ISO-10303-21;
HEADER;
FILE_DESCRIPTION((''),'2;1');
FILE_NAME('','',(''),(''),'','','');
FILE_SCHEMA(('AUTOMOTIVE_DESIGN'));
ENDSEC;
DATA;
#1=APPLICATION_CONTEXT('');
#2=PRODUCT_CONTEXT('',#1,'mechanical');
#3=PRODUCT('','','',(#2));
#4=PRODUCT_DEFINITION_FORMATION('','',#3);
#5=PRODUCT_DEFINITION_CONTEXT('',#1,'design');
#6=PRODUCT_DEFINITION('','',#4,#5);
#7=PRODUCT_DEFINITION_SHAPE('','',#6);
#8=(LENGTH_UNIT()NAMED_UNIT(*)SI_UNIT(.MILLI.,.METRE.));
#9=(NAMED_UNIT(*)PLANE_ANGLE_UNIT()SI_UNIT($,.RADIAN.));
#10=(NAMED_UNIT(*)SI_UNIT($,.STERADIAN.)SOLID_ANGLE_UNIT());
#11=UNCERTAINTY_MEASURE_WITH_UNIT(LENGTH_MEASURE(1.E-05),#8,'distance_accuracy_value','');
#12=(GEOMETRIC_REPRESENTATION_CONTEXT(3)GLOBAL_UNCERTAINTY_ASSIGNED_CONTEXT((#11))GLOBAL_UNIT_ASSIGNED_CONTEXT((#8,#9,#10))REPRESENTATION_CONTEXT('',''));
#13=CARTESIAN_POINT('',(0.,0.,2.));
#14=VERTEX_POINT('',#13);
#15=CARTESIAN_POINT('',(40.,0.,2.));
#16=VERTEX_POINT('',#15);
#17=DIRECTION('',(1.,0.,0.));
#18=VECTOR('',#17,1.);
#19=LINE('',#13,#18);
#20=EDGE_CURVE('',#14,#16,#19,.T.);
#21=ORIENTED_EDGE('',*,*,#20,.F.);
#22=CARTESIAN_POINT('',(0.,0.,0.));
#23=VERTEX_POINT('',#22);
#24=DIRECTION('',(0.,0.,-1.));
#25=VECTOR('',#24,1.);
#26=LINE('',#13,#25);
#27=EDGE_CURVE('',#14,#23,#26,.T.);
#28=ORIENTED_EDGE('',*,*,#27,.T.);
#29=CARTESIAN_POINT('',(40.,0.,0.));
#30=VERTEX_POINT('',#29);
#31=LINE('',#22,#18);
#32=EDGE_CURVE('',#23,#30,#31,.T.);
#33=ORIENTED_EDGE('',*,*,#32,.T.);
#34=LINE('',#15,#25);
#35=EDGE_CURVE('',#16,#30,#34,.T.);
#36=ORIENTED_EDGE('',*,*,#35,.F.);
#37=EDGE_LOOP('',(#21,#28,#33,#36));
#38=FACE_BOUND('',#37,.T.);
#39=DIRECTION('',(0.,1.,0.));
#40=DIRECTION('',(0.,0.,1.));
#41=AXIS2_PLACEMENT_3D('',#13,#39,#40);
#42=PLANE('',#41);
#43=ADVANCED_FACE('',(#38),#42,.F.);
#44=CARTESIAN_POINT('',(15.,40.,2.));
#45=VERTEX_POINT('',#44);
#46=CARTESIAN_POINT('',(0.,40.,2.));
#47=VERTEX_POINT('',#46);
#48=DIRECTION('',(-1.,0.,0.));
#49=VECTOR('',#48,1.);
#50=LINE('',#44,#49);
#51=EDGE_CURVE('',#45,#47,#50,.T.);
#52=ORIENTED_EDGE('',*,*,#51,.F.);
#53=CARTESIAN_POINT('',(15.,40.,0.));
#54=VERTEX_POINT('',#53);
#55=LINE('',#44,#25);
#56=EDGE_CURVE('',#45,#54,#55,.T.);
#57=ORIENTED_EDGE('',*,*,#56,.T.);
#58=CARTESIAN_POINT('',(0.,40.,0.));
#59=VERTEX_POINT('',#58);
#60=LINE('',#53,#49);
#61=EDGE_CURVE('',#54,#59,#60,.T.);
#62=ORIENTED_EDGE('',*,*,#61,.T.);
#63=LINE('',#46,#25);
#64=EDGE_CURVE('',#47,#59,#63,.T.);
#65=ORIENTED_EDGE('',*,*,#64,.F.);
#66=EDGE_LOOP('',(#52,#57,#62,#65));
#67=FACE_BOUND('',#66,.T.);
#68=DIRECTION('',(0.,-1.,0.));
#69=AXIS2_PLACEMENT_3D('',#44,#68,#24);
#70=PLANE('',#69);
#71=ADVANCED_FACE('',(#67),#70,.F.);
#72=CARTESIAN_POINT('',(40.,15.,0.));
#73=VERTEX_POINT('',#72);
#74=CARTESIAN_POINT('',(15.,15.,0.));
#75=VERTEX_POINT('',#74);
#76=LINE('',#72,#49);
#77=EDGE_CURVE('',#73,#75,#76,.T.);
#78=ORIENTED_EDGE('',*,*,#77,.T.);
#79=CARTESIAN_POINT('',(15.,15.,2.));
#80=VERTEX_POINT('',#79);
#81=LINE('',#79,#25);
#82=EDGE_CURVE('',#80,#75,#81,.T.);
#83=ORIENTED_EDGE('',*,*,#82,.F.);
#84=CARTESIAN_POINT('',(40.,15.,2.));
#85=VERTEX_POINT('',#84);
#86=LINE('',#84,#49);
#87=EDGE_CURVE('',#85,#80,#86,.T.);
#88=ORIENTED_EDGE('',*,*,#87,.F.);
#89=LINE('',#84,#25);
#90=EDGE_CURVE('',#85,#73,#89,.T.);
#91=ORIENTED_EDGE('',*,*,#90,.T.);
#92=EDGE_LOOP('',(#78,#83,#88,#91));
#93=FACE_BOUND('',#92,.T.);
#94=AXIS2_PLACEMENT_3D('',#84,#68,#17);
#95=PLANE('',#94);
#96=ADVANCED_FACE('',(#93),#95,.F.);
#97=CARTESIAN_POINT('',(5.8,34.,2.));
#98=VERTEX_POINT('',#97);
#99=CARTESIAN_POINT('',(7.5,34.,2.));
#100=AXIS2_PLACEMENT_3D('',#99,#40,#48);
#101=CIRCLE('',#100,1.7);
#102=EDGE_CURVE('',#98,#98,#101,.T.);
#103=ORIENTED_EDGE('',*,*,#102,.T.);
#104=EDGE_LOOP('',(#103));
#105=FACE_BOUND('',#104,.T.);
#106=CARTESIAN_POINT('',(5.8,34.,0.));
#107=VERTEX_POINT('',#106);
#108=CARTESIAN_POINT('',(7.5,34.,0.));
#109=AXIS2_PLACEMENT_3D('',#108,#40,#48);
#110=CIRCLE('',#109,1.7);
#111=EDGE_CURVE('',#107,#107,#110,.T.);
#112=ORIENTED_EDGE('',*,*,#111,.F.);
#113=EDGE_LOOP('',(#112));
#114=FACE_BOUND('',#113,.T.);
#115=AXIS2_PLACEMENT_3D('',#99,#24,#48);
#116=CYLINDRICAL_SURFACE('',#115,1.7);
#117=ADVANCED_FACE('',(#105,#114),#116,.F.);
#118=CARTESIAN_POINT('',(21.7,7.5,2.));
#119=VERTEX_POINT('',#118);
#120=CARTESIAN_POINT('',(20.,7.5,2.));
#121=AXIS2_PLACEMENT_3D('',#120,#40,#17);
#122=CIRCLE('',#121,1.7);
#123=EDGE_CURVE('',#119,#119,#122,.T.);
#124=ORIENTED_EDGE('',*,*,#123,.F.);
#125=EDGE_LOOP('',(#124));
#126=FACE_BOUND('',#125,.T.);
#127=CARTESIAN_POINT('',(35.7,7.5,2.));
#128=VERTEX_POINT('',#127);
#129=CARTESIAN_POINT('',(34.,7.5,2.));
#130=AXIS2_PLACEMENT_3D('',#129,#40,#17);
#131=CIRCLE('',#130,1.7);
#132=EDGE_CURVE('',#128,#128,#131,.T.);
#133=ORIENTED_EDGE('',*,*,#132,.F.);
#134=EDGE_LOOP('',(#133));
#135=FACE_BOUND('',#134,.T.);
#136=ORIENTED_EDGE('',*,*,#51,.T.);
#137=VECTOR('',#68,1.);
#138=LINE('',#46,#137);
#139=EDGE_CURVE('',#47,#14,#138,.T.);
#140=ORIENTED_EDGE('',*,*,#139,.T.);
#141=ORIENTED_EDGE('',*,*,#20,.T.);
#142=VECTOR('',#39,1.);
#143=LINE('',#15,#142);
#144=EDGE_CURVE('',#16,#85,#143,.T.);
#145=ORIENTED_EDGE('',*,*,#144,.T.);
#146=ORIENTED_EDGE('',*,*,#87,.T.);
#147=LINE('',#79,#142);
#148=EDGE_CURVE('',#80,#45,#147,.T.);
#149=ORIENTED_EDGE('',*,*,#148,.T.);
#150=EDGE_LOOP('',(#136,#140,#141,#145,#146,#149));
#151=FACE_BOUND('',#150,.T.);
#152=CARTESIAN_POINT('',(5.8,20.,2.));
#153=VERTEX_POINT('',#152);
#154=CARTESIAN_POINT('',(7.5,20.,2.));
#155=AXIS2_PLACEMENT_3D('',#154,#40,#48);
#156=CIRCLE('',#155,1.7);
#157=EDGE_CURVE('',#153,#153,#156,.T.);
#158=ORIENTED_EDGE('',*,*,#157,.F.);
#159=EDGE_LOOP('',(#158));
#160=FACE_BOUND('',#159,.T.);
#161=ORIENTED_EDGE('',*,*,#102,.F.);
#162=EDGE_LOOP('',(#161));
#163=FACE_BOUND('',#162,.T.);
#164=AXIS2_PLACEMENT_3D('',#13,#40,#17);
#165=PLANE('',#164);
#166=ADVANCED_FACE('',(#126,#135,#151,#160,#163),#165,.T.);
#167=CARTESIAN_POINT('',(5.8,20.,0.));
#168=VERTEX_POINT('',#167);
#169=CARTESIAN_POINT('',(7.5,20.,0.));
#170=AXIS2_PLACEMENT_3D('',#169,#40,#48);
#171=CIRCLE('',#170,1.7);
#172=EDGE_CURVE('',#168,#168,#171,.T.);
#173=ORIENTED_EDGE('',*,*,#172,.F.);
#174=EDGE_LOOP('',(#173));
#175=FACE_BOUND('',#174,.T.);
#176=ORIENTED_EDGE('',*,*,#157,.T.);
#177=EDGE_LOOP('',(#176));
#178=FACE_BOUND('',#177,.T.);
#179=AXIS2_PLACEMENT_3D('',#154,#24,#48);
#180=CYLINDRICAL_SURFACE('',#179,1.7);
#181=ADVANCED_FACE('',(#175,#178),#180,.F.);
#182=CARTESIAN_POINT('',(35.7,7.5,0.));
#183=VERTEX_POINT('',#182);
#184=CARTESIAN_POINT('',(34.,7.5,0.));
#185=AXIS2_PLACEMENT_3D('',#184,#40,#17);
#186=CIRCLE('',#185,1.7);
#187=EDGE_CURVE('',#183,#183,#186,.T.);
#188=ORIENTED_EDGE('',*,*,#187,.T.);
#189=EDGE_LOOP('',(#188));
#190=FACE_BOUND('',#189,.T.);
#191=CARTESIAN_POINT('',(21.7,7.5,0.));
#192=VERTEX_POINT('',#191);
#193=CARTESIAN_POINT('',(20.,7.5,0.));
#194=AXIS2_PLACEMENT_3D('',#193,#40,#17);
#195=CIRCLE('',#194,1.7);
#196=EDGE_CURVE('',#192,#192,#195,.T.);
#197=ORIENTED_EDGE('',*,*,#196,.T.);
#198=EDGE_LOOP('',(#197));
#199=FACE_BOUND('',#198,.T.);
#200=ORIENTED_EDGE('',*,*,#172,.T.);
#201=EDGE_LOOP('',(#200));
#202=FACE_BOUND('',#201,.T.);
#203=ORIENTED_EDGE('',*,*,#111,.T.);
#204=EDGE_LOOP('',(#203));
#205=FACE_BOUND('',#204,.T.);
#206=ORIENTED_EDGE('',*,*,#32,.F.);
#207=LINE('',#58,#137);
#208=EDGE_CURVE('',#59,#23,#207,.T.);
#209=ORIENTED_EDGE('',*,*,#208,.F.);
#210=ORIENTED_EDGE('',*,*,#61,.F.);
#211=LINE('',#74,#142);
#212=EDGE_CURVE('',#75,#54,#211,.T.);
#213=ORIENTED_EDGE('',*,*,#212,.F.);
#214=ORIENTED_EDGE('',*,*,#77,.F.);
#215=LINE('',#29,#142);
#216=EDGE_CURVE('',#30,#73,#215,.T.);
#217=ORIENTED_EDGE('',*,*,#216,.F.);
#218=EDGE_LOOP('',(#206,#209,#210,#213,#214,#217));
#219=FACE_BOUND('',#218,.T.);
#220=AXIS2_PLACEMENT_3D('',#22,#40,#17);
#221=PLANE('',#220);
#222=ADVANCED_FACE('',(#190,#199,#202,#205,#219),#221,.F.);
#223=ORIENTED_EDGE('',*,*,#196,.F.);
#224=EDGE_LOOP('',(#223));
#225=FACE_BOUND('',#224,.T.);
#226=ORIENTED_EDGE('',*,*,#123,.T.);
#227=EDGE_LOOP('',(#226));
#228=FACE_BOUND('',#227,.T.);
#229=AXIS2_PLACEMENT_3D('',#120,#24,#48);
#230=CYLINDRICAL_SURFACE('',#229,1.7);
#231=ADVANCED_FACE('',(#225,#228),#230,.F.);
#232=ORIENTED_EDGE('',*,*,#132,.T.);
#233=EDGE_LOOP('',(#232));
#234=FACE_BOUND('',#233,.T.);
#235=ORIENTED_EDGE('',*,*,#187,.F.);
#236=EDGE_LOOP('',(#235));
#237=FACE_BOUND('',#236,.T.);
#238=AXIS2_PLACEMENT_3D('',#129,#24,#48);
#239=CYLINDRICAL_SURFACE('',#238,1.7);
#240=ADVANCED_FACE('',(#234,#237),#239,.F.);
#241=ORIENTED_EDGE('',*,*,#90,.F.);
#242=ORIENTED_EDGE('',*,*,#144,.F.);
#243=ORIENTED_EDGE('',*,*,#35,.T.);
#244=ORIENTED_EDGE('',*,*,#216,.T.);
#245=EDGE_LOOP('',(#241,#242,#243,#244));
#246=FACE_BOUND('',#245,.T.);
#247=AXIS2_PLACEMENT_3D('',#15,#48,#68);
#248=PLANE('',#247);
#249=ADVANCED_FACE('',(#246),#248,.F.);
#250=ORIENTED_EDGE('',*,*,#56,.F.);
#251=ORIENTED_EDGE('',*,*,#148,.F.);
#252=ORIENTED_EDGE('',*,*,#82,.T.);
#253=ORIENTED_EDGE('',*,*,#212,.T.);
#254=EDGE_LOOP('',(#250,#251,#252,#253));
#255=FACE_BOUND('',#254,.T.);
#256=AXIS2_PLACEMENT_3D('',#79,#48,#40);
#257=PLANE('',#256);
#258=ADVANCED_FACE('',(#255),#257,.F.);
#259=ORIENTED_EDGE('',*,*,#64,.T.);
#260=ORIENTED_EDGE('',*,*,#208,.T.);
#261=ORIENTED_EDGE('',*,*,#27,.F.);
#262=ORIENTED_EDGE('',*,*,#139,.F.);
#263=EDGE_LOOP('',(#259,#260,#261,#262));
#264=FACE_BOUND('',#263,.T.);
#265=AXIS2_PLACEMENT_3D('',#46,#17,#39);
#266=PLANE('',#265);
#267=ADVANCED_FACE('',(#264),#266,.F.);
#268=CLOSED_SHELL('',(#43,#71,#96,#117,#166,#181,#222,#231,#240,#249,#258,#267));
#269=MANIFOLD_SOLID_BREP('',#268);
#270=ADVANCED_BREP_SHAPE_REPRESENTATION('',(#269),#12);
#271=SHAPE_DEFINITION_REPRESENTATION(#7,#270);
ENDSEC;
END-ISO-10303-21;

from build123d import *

# Parameters (mm, degrees)
SKETCH_1_R      = 1.7
EXTRUDE_1_DEPTH = 2


with BuildPart() as part:
    # 草图1 → 凸台-拉伸1 (new body)
    with BuildSketch(Plane.XY):
        Polygon((0, 0), (40, 0), (40, 15), (15, 15), (15, 40), (0, 40), align=None)
        with Locations((20, 7.5)):
            Circle(SKETCH_1_R, mode=Mode.SUBTRACT)
        with Locations((34, 7.5)):
            Circle(SKETCH_1_R, mode=Mode.SUBTRACT)
        with Locations(Location((7.5, 34, 0), (0, 0, 180))):
            Circle(SKETCH_1_R, mode=Mode.SUBTRACT)
        with Locations(Location((7.5, 20, 0), (0, 0, 180))):
            Circle(SKETCH_1_R, mode=Mode.SUBTRACT)
    extrude(amount=EXTRUDE_1_DEPTH)


solid = part.part
